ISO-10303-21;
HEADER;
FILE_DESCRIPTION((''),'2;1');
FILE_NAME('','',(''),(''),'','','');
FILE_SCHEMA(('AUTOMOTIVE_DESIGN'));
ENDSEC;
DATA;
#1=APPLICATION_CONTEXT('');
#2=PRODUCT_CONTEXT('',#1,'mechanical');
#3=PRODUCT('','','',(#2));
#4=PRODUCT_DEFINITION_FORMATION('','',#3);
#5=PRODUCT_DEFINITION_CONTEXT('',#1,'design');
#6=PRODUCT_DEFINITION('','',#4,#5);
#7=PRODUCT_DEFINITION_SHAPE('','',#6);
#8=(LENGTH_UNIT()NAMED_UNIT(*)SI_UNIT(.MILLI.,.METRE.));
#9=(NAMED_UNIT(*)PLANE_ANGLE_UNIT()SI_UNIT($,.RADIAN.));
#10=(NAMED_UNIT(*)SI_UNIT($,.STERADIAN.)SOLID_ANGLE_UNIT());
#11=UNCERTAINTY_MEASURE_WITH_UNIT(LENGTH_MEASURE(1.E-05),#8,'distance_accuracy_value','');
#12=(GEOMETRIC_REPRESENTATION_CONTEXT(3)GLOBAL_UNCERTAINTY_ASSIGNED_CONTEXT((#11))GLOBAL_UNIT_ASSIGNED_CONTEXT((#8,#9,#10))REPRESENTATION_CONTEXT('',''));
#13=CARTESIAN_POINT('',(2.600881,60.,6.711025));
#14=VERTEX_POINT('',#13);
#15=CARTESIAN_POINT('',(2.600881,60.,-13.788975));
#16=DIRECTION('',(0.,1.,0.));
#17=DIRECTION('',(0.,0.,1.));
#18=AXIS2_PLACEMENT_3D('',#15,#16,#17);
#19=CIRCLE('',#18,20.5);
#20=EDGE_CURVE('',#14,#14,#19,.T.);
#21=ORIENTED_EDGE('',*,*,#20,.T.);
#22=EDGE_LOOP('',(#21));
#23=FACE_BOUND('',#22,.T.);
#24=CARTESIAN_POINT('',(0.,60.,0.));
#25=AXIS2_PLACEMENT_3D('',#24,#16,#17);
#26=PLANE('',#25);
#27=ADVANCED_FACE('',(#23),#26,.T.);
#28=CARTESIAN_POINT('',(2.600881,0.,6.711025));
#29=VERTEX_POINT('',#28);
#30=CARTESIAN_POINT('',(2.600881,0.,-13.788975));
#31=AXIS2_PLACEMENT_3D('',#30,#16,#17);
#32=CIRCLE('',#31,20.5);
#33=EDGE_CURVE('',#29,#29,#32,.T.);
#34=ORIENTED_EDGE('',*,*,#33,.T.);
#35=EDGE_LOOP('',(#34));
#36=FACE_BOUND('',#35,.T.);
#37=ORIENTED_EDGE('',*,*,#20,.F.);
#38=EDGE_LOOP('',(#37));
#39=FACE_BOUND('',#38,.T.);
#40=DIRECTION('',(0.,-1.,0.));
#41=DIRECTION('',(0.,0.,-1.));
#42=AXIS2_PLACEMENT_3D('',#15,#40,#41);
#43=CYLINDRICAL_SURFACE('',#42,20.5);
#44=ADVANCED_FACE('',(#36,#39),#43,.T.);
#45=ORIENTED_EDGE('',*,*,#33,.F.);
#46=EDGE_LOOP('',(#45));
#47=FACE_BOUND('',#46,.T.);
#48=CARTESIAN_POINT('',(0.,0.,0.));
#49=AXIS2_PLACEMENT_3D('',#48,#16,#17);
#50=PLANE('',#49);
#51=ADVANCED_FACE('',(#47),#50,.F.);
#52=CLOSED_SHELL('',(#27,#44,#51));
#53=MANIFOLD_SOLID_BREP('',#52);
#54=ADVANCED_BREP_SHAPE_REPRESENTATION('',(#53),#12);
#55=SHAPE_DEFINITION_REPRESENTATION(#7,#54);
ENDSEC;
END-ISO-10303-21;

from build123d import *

# Parameters (mm, degrees)
SKETCH1_R           = 20.5
BOSS_EXTRUDE1_DEPTH = 60


with BuildPart() as part:
    # Sketch1 → Boss-Extrude1 (new body)
    with BuildSketch(Plane(origin=(0, 0, 0), x_dir=(1, 0, 0), z_dir=(0, 1, 0))):
        with Locations((2.600880996, 13.788975466)):
            Circle(SKETCH1_R)
    extrude(amount=BOSS_EXTRUDE1_DEPTH)


solid = part.part
